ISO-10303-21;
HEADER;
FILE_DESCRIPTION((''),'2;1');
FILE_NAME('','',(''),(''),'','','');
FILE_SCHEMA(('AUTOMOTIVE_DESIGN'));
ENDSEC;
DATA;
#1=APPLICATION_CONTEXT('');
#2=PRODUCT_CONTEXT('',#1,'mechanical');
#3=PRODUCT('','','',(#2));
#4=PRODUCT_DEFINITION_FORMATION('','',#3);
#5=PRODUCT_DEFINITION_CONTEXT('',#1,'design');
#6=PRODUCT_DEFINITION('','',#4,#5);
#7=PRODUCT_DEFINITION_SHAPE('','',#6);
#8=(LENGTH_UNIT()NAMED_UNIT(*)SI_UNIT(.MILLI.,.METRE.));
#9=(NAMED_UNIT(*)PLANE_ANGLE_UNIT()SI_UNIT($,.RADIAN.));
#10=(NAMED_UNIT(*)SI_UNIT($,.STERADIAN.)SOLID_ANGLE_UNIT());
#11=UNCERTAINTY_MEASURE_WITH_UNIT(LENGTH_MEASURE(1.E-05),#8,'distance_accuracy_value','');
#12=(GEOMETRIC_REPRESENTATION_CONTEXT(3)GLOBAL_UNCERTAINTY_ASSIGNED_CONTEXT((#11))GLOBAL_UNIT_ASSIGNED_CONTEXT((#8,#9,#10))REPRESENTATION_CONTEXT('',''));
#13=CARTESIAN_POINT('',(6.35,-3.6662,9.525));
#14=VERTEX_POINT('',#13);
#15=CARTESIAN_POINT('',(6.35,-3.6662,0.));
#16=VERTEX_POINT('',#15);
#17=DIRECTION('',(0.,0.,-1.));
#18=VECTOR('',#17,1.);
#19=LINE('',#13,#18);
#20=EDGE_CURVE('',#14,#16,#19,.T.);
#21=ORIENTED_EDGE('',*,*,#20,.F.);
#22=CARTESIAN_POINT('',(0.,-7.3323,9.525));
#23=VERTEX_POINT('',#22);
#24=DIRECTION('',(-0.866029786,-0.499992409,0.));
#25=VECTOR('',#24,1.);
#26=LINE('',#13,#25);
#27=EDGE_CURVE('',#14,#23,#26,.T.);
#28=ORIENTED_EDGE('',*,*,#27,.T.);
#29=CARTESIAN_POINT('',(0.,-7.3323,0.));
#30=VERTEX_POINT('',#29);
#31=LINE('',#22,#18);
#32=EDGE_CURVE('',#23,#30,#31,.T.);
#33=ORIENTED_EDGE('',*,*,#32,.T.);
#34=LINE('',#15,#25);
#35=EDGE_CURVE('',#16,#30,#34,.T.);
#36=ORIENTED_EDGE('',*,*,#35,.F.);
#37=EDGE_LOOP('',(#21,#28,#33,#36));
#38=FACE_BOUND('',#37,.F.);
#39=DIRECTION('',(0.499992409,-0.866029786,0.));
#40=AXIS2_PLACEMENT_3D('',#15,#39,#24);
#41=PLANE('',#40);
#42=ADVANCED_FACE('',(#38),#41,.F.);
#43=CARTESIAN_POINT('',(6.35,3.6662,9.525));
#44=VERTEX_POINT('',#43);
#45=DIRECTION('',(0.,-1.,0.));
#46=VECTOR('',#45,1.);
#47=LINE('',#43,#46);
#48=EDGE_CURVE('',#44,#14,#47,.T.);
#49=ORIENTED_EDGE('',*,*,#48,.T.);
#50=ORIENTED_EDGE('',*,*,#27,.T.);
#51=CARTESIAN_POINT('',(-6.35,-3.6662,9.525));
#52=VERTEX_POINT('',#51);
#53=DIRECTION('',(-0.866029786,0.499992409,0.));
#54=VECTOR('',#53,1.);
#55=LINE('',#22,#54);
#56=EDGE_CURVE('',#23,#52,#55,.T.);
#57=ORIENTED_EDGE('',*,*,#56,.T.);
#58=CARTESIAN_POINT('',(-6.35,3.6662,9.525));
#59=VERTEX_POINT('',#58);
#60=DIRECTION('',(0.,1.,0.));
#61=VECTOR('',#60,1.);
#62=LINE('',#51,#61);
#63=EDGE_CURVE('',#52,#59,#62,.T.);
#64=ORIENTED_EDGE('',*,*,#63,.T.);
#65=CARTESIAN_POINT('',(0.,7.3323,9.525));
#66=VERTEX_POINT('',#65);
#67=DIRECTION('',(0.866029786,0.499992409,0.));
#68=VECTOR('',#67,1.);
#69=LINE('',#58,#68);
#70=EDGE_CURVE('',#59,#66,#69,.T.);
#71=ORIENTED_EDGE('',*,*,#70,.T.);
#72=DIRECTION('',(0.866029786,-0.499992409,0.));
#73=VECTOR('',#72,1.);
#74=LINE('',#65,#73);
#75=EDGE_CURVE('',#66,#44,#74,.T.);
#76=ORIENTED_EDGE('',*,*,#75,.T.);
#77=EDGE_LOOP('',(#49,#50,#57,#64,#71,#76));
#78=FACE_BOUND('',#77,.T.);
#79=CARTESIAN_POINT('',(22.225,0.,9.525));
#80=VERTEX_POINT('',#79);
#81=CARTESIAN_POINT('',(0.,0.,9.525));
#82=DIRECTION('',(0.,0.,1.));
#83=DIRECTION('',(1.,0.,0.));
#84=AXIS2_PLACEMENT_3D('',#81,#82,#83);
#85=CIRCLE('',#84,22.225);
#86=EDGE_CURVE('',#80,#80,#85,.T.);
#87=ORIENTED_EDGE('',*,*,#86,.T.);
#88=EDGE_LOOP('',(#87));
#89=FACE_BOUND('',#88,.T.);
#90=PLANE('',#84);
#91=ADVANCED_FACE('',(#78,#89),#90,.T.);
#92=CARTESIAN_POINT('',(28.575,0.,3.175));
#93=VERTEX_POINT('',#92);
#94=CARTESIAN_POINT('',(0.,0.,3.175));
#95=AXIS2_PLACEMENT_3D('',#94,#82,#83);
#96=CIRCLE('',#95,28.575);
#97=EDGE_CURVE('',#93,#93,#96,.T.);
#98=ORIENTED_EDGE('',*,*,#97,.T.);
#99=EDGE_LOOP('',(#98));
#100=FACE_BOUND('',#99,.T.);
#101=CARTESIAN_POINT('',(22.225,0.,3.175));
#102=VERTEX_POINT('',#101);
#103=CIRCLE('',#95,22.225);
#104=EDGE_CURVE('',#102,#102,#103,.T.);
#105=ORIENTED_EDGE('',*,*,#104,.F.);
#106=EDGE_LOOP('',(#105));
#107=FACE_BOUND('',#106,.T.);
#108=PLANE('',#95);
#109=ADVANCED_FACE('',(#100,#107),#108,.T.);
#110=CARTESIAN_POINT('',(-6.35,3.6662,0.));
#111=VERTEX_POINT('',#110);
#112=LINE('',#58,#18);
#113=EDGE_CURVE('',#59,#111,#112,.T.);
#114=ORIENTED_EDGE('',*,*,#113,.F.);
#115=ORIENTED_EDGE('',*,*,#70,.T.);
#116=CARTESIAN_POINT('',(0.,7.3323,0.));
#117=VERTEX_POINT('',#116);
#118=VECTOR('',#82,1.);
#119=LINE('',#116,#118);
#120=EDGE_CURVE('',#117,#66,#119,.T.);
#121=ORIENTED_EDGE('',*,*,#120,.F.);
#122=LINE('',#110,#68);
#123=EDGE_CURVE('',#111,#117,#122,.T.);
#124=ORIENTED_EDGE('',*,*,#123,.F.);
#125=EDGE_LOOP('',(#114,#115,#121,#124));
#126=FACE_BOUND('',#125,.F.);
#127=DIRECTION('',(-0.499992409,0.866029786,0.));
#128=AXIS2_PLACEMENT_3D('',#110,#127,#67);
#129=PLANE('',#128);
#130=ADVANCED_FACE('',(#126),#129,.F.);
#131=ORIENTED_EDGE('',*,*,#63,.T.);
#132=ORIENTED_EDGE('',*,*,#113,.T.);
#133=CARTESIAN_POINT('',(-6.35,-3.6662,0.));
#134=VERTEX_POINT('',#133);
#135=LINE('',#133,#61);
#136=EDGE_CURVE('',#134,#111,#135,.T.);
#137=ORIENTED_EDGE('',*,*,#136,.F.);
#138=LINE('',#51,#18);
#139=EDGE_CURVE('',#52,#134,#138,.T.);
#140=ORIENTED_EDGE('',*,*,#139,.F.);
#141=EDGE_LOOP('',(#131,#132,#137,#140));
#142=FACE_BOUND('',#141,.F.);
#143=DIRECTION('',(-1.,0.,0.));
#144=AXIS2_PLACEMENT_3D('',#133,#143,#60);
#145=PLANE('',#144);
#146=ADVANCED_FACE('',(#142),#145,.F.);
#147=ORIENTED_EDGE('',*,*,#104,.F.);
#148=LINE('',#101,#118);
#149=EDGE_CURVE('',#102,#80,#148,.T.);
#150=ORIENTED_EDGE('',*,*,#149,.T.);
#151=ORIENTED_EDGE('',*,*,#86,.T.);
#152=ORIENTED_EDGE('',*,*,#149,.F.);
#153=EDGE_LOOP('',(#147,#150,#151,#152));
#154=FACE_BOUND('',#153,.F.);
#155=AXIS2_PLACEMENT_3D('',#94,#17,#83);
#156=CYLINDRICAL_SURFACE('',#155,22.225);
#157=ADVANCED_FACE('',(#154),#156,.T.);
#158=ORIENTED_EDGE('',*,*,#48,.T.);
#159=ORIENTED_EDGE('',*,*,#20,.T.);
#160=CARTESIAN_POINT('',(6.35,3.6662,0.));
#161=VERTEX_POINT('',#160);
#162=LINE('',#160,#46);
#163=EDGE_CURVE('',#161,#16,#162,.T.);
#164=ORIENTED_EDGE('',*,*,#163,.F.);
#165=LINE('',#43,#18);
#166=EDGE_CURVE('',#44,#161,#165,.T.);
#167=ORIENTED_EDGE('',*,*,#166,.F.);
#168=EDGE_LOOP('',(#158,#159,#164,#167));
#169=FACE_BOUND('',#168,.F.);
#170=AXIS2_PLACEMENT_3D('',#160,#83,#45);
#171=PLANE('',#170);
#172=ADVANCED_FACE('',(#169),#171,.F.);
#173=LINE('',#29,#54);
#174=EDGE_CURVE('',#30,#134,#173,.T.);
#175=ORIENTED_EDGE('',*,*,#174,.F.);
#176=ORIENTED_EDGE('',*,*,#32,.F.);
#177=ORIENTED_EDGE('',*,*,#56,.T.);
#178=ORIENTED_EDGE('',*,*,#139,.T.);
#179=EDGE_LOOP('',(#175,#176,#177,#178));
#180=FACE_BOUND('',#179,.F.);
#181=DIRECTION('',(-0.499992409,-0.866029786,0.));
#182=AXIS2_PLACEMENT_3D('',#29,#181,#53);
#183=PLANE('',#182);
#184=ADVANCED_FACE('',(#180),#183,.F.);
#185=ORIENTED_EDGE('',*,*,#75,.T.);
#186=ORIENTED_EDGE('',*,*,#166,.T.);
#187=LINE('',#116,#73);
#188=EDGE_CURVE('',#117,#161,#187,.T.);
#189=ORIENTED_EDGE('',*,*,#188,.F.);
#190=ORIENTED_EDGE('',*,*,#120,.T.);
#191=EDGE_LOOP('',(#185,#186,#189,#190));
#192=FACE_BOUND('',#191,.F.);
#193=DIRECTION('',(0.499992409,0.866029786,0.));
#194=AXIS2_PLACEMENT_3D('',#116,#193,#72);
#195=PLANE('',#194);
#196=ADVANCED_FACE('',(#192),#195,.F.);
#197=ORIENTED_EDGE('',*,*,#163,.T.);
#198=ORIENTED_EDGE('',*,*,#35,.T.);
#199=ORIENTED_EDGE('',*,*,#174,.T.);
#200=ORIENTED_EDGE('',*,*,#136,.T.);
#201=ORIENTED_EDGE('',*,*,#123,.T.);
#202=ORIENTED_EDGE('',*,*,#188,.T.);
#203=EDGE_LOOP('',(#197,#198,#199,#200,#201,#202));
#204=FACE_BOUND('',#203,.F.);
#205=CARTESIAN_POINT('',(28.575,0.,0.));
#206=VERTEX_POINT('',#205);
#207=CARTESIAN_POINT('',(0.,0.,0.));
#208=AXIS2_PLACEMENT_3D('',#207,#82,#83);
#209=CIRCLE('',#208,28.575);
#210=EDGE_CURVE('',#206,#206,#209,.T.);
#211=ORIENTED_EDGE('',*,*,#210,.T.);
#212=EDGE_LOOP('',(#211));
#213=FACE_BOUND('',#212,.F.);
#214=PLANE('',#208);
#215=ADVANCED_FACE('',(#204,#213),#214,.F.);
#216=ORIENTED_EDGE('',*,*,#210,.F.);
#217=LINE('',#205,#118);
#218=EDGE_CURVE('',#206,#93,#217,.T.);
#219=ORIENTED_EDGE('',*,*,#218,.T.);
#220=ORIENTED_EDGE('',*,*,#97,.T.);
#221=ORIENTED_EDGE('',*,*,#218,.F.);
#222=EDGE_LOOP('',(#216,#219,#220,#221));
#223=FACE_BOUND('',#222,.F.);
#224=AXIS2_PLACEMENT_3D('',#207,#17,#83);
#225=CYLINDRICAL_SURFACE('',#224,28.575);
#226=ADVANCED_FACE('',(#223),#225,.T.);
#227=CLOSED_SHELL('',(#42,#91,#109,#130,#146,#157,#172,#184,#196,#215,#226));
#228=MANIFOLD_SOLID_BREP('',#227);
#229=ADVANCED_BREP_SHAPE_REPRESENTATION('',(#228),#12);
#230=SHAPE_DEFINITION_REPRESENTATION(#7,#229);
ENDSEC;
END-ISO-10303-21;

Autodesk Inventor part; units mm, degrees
ref_plane "YZ Plane" through (0, 0, 0) normal (1, 0, 0) x (0, 1, 0)
ref_plane "XZ Plane" through (0, 0, 0) normal (0, 1, 0) x (-1, 0, 0)
ref_plane "XY Plane" through (0, 0, 0) normal (0, 0, 1) x (1, 0, 0)
sketch "Sketch1" plane through (0, 0, 0) normal (0, 0, 1) x (1, 0, 0)
  circle A0 centre (0, 0) radius 28.575
  line L0 (0, 7.3323) -> (6.35, 3.6662)
  line L1 (6.35, 3.6662) -> (6.35, -3.6662)
  line L2 (6.35, -3.6662) -> (0, -7.3323)
  line L3 (0, -7.3323) -> (-6.35, -3.6662)
  line L4 (-6.35, -3.6662) -> (-6.35, 3.6662)
  line L5 (-6.35, 3.6662) -> (0, 7.3323)
  dimension "d0" = 57.15
  dimension "d1" = 12.7
extrude "Extrusion1" add sketch "Sketch1" along normal blind 3.175
sketch "Sketch3" plane through (0, 0, 3.175) normal (0, 0, 1) x (1, 0, 0)
  line L0 (6.35, 3.6662) -> (6.35, -3.6662) projected
  line L1 (6.35, -3.6662) -> (0, -7.3323) projected
  line L2 (0, -7.3323) -> (-6.35, -3.6662) projected
  line L3 (-6.35, -3.6662) -> (-6.35, 3.6662) projected
  line L4 (-6.35, 3.6662) -> (0, 7.3323) projected
  line L5 (0, 7.3323) -> (6.35, 3.6662) projected
  circle A0 centre (0, 0) radius 28.575 projected
  circle A1 centre (0, 0) radius 22.225
  dimension "d8" = 44.45
extrude "Extrusion3" add sketch "Sketch3" along normal blind 6.35 contours A1
properties part number "Tube End Cap"
